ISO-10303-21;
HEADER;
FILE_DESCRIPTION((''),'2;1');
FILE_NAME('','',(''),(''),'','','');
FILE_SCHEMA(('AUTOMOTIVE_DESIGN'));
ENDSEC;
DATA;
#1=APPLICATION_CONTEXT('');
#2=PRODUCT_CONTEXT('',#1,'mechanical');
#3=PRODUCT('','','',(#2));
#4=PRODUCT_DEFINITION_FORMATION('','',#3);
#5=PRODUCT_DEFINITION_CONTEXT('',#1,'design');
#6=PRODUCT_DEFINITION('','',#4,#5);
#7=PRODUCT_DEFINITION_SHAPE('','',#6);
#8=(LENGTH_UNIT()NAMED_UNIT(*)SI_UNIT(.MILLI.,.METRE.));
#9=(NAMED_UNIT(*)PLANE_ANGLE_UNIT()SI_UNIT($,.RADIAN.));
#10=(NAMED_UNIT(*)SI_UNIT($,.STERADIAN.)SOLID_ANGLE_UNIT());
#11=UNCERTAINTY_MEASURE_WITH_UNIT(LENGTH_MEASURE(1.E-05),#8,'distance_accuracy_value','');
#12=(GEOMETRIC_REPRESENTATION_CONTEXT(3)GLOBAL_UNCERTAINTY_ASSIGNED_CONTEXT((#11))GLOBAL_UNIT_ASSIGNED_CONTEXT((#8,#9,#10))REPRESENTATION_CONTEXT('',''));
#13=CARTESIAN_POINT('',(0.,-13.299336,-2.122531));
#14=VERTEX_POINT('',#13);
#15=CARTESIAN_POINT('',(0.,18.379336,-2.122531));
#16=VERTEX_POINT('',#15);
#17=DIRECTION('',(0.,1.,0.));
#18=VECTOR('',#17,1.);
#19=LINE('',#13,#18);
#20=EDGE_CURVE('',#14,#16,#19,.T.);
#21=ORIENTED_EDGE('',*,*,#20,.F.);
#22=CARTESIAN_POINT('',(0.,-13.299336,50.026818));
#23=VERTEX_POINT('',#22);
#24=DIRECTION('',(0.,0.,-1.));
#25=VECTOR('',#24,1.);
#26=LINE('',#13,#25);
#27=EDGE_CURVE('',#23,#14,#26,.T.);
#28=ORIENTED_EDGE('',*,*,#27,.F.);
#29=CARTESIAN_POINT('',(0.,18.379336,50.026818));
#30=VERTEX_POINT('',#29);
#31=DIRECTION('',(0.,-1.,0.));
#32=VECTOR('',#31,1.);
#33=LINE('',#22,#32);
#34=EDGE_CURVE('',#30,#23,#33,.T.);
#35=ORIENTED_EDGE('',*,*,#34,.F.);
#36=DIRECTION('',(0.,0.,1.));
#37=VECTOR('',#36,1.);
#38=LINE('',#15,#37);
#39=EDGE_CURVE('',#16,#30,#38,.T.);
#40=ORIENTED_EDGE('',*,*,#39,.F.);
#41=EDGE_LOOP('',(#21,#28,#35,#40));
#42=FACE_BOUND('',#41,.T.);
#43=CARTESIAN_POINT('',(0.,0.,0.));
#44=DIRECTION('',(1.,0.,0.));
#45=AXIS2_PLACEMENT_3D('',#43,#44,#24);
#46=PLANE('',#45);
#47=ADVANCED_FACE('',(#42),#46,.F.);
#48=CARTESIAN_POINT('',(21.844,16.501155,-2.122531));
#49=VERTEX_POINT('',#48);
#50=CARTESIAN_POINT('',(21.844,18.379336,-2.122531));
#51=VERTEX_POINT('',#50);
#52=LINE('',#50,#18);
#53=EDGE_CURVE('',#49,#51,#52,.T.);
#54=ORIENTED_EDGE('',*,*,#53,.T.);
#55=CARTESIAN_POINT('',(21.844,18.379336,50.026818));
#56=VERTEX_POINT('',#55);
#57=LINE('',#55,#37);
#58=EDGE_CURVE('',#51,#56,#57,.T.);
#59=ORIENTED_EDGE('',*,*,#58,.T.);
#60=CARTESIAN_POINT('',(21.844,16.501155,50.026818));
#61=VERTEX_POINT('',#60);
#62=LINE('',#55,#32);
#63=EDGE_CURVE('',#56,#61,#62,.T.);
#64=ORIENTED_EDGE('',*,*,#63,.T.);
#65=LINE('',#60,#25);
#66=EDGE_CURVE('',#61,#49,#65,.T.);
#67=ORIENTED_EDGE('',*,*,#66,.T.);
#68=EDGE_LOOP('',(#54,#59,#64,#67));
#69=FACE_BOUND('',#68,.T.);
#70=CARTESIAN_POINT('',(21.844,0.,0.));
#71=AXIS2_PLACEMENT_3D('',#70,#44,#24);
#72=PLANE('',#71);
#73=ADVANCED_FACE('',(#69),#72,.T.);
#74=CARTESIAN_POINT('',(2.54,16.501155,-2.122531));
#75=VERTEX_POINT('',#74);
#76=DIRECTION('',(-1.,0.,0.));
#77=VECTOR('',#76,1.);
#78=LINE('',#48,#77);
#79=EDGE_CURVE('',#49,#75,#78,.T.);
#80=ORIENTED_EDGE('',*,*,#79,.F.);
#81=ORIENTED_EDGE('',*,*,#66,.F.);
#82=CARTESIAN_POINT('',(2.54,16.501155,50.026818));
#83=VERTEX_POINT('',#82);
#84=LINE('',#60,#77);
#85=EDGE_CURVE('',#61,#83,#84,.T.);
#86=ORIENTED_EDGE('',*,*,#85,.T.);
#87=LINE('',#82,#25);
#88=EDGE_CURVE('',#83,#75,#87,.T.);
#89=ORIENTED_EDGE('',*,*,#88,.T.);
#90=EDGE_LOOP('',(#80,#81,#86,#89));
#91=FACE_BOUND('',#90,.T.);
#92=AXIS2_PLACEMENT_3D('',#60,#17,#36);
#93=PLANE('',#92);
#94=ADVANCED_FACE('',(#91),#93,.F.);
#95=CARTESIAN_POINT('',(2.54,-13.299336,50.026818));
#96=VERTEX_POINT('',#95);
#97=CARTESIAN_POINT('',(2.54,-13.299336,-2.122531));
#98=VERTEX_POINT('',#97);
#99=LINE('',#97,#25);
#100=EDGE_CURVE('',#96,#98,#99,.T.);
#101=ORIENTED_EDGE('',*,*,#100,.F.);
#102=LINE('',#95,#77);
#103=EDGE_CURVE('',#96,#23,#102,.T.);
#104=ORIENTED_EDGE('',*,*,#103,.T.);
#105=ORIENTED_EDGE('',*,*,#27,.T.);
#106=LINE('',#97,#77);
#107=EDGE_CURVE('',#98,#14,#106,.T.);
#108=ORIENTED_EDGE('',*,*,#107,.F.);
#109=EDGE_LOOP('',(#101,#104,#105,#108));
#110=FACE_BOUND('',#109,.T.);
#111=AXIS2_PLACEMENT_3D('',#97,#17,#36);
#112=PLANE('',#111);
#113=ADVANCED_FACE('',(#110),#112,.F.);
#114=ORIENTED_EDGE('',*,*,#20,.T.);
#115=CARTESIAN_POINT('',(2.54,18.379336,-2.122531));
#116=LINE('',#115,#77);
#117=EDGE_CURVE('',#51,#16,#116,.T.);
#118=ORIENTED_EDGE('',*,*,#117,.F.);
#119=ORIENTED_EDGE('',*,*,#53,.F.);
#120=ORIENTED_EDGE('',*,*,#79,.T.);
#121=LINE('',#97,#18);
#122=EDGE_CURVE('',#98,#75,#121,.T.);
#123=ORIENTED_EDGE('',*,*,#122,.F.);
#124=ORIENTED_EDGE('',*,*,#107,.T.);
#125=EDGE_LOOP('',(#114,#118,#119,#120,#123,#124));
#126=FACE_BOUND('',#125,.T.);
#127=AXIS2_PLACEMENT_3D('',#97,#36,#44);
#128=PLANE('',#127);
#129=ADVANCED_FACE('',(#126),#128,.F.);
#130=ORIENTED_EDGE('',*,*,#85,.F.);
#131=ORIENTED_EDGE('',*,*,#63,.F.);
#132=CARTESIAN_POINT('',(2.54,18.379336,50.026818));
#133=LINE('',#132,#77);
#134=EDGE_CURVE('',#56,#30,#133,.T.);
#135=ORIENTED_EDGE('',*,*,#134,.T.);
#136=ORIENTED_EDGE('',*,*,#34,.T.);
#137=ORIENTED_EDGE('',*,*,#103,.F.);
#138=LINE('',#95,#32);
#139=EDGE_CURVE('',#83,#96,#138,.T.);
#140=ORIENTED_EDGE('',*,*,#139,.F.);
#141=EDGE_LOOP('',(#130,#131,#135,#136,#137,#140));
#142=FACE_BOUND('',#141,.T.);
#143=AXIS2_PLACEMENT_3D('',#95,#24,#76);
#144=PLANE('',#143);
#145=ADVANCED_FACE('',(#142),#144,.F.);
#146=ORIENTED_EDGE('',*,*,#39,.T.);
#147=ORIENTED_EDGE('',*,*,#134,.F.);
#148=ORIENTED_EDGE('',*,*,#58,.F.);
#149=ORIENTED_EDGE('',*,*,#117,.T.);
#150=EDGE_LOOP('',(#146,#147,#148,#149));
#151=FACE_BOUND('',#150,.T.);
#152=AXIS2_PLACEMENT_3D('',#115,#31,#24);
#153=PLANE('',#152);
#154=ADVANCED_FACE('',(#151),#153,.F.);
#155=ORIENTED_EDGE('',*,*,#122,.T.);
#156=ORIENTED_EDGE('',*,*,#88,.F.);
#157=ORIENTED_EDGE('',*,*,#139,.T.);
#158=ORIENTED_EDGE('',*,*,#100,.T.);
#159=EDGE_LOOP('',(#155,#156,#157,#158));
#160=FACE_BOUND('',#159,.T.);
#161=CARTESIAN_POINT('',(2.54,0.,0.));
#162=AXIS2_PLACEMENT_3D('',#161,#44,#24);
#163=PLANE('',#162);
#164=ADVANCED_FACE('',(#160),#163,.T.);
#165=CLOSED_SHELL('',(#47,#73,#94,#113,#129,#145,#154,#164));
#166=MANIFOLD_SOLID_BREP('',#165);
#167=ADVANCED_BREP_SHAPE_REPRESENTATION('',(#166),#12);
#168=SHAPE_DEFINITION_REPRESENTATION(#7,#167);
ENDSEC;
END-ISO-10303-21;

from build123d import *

# Parameters (mm, degrees)
SKETCH1_W           = 52.149348828
SKETCH1_H           = 31.67867156
BOSS_EXTRUDE1_DEPTH = 2.54
SKETCH2_W           = 52.149348828
SKETCH2_H           = 1.878180411
BOSS_EXTRUDE2_DEPTH = 19.304


with BuildPart() as part:
    # Sketch1 → Boss-Extrude1 (new body)
    with BuildSketch(Plane(origin=(0, 0, 0), x_dir=(0, 0, -1), z_dir=(1, 0, 0))):
        with Locations((-23.952143855, 2.54)):
            Rectangle(SKETCH1_W, SKETCH1_H)
    extrude(amount=BOSS_EXTRUDE1_DEPTH)

    # Sketch2 → Boss-Extrude2 (add)
    with BuildSketch(Plane(origin=(2.54, 0, 0), x_dir=(0, 0, -1), z_dir=(1, 0, 0))):
        with Locations((-23.952143855, 17.440245575)):
            Rectangle(SKETCH2_W, SKETCH2_H)
    extrude(amount=BOSS_EXTRUDE2_DEPTH)


solid = part.part
